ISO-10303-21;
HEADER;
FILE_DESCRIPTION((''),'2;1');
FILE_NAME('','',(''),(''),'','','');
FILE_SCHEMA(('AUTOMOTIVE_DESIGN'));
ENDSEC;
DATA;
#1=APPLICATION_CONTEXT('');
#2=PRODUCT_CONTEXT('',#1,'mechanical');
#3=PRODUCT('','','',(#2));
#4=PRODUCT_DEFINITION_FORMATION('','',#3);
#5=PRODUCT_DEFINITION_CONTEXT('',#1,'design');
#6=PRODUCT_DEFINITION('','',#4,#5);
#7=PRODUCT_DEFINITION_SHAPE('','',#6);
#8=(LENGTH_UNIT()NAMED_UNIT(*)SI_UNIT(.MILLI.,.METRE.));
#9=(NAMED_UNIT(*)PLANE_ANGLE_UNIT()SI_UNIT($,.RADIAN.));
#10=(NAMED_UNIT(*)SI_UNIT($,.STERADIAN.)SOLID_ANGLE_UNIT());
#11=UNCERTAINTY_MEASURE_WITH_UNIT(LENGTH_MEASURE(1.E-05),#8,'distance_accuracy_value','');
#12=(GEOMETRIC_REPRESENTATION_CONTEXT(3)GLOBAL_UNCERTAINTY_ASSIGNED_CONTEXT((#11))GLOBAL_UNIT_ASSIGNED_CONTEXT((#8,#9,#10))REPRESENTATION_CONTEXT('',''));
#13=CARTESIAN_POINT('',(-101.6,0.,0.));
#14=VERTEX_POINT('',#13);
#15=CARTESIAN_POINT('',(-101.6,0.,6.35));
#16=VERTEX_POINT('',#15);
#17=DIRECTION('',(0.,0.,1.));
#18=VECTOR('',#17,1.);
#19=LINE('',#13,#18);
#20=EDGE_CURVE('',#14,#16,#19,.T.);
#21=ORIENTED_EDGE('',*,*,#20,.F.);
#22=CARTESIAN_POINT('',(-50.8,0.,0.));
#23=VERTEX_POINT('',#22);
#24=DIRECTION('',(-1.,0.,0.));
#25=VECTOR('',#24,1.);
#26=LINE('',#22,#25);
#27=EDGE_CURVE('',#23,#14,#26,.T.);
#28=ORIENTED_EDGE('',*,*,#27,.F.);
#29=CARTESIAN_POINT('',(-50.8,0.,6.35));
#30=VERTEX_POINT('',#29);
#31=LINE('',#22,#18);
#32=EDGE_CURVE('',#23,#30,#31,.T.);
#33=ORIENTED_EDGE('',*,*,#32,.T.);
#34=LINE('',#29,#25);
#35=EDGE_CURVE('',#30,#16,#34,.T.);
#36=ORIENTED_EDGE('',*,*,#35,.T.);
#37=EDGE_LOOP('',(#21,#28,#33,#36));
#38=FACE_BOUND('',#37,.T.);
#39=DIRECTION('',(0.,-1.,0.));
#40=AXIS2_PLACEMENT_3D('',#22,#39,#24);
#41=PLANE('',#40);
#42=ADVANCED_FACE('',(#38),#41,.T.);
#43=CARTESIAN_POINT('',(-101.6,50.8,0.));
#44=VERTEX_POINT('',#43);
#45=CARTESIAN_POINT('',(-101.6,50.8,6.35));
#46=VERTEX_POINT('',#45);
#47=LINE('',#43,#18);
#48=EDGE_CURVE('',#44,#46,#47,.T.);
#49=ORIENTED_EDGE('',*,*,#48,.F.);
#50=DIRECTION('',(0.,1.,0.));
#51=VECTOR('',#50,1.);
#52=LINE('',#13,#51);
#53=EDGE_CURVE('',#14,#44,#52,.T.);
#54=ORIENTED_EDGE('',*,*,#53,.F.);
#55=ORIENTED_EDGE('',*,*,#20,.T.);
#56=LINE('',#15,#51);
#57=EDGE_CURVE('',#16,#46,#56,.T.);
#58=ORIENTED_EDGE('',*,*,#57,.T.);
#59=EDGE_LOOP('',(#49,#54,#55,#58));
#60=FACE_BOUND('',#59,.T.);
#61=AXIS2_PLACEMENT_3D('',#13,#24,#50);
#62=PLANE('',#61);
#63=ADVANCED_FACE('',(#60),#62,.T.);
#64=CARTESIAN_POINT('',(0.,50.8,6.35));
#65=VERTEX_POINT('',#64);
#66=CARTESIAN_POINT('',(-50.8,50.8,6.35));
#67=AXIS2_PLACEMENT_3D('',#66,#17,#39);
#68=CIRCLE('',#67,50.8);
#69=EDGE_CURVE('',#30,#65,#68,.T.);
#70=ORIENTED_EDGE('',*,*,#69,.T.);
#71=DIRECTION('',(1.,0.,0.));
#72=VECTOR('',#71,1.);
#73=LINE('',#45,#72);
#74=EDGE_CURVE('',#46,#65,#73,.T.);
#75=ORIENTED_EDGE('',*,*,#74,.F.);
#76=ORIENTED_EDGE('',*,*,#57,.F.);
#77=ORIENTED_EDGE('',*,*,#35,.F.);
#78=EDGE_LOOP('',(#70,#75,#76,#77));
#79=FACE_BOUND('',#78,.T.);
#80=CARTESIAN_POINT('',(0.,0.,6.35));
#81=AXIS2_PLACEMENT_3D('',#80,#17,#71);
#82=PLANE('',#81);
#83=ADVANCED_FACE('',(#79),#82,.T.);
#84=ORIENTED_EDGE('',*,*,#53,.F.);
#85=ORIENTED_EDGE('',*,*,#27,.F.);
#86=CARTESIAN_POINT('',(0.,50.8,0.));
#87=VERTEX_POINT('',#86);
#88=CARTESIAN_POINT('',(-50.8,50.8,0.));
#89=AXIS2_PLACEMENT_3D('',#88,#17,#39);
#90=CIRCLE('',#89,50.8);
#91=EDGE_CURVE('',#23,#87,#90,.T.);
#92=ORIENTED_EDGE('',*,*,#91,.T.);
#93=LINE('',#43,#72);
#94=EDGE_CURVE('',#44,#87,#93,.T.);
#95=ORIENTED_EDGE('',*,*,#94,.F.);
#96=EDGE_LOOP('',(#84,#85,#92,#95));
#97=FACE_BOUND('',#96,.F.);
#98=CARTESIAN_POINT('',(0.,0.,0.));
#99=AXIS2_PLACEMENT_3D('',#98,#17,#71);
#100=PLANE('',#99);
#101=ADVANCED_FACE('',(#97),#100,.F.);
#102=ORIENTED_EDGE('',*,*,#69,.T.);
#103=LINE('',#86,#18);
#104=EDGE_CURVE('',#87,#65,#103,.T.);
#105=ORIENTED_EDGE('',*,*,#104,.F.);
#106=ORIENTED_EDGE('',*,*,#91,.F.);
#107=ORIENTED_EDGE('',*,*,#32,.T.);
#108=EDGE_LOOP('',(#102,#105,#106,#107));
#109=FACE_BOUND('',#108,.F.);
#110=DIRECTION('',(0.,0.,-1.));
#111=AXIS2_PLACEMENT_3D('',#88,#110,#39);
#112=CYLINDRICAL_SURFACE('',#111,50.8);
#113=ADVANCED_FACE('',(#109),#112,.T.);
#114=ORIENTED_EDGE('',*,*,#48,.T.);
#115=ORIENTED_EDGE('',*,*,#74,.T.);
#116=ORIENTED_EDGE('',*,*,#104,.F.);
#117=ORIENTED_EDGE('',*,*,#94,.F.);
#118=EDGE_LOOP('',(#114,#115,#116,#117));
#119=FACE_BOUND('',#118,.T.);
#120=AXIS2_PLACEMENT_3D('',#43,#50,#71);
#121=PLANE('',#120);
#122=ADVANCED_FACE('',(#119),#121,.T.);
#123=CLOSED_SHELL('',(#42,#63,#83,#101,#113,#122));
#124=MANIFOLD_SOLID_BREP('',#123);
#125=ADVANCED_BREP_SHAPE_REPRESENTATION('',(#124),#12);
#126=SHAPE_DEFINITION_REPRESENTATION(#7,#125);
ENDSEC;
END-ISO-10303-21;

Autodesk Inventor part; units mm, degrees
ref_plane "YZ Plane" through (0, 0, 0) normal (1, 0, 0) x (0, 1, 0)
ref_plane "XZ Plane" through (0, 0, 0) normal (0, 1, 0) x (-1, 0, 0)
ref_plane "XY Plane" through (0, 0, 0) normal (0, 0, 1) x (1, 0, 0)
sketch "Sketch1" plane through (0, 0, 0) normal (0, 0, 1) x (1, 0, 0)
  line L0 (-50.8, 0) -> (-101.6, 0)
  line L1 (-101.6, 0) -> (-101.6, 50.8)
  line L2 (-101.6, 50.8) -> (0, 50.8)
  line L3 (0, 50.8) -> (0, 50.8)
  arc A0 (-50.8, 0) -> (0, 50.8) centre (-50.8, 50.8) ccw
  point P0 (0, 0)
  dimension "d0" = 101.6
  dimension "d1" = 50.8
  dimension "d4" = 50.8
extrude "Extrusion1" add sketch "Sketch1" along normal blind 6.35
properties part number "lexan stuff (bottom)"
